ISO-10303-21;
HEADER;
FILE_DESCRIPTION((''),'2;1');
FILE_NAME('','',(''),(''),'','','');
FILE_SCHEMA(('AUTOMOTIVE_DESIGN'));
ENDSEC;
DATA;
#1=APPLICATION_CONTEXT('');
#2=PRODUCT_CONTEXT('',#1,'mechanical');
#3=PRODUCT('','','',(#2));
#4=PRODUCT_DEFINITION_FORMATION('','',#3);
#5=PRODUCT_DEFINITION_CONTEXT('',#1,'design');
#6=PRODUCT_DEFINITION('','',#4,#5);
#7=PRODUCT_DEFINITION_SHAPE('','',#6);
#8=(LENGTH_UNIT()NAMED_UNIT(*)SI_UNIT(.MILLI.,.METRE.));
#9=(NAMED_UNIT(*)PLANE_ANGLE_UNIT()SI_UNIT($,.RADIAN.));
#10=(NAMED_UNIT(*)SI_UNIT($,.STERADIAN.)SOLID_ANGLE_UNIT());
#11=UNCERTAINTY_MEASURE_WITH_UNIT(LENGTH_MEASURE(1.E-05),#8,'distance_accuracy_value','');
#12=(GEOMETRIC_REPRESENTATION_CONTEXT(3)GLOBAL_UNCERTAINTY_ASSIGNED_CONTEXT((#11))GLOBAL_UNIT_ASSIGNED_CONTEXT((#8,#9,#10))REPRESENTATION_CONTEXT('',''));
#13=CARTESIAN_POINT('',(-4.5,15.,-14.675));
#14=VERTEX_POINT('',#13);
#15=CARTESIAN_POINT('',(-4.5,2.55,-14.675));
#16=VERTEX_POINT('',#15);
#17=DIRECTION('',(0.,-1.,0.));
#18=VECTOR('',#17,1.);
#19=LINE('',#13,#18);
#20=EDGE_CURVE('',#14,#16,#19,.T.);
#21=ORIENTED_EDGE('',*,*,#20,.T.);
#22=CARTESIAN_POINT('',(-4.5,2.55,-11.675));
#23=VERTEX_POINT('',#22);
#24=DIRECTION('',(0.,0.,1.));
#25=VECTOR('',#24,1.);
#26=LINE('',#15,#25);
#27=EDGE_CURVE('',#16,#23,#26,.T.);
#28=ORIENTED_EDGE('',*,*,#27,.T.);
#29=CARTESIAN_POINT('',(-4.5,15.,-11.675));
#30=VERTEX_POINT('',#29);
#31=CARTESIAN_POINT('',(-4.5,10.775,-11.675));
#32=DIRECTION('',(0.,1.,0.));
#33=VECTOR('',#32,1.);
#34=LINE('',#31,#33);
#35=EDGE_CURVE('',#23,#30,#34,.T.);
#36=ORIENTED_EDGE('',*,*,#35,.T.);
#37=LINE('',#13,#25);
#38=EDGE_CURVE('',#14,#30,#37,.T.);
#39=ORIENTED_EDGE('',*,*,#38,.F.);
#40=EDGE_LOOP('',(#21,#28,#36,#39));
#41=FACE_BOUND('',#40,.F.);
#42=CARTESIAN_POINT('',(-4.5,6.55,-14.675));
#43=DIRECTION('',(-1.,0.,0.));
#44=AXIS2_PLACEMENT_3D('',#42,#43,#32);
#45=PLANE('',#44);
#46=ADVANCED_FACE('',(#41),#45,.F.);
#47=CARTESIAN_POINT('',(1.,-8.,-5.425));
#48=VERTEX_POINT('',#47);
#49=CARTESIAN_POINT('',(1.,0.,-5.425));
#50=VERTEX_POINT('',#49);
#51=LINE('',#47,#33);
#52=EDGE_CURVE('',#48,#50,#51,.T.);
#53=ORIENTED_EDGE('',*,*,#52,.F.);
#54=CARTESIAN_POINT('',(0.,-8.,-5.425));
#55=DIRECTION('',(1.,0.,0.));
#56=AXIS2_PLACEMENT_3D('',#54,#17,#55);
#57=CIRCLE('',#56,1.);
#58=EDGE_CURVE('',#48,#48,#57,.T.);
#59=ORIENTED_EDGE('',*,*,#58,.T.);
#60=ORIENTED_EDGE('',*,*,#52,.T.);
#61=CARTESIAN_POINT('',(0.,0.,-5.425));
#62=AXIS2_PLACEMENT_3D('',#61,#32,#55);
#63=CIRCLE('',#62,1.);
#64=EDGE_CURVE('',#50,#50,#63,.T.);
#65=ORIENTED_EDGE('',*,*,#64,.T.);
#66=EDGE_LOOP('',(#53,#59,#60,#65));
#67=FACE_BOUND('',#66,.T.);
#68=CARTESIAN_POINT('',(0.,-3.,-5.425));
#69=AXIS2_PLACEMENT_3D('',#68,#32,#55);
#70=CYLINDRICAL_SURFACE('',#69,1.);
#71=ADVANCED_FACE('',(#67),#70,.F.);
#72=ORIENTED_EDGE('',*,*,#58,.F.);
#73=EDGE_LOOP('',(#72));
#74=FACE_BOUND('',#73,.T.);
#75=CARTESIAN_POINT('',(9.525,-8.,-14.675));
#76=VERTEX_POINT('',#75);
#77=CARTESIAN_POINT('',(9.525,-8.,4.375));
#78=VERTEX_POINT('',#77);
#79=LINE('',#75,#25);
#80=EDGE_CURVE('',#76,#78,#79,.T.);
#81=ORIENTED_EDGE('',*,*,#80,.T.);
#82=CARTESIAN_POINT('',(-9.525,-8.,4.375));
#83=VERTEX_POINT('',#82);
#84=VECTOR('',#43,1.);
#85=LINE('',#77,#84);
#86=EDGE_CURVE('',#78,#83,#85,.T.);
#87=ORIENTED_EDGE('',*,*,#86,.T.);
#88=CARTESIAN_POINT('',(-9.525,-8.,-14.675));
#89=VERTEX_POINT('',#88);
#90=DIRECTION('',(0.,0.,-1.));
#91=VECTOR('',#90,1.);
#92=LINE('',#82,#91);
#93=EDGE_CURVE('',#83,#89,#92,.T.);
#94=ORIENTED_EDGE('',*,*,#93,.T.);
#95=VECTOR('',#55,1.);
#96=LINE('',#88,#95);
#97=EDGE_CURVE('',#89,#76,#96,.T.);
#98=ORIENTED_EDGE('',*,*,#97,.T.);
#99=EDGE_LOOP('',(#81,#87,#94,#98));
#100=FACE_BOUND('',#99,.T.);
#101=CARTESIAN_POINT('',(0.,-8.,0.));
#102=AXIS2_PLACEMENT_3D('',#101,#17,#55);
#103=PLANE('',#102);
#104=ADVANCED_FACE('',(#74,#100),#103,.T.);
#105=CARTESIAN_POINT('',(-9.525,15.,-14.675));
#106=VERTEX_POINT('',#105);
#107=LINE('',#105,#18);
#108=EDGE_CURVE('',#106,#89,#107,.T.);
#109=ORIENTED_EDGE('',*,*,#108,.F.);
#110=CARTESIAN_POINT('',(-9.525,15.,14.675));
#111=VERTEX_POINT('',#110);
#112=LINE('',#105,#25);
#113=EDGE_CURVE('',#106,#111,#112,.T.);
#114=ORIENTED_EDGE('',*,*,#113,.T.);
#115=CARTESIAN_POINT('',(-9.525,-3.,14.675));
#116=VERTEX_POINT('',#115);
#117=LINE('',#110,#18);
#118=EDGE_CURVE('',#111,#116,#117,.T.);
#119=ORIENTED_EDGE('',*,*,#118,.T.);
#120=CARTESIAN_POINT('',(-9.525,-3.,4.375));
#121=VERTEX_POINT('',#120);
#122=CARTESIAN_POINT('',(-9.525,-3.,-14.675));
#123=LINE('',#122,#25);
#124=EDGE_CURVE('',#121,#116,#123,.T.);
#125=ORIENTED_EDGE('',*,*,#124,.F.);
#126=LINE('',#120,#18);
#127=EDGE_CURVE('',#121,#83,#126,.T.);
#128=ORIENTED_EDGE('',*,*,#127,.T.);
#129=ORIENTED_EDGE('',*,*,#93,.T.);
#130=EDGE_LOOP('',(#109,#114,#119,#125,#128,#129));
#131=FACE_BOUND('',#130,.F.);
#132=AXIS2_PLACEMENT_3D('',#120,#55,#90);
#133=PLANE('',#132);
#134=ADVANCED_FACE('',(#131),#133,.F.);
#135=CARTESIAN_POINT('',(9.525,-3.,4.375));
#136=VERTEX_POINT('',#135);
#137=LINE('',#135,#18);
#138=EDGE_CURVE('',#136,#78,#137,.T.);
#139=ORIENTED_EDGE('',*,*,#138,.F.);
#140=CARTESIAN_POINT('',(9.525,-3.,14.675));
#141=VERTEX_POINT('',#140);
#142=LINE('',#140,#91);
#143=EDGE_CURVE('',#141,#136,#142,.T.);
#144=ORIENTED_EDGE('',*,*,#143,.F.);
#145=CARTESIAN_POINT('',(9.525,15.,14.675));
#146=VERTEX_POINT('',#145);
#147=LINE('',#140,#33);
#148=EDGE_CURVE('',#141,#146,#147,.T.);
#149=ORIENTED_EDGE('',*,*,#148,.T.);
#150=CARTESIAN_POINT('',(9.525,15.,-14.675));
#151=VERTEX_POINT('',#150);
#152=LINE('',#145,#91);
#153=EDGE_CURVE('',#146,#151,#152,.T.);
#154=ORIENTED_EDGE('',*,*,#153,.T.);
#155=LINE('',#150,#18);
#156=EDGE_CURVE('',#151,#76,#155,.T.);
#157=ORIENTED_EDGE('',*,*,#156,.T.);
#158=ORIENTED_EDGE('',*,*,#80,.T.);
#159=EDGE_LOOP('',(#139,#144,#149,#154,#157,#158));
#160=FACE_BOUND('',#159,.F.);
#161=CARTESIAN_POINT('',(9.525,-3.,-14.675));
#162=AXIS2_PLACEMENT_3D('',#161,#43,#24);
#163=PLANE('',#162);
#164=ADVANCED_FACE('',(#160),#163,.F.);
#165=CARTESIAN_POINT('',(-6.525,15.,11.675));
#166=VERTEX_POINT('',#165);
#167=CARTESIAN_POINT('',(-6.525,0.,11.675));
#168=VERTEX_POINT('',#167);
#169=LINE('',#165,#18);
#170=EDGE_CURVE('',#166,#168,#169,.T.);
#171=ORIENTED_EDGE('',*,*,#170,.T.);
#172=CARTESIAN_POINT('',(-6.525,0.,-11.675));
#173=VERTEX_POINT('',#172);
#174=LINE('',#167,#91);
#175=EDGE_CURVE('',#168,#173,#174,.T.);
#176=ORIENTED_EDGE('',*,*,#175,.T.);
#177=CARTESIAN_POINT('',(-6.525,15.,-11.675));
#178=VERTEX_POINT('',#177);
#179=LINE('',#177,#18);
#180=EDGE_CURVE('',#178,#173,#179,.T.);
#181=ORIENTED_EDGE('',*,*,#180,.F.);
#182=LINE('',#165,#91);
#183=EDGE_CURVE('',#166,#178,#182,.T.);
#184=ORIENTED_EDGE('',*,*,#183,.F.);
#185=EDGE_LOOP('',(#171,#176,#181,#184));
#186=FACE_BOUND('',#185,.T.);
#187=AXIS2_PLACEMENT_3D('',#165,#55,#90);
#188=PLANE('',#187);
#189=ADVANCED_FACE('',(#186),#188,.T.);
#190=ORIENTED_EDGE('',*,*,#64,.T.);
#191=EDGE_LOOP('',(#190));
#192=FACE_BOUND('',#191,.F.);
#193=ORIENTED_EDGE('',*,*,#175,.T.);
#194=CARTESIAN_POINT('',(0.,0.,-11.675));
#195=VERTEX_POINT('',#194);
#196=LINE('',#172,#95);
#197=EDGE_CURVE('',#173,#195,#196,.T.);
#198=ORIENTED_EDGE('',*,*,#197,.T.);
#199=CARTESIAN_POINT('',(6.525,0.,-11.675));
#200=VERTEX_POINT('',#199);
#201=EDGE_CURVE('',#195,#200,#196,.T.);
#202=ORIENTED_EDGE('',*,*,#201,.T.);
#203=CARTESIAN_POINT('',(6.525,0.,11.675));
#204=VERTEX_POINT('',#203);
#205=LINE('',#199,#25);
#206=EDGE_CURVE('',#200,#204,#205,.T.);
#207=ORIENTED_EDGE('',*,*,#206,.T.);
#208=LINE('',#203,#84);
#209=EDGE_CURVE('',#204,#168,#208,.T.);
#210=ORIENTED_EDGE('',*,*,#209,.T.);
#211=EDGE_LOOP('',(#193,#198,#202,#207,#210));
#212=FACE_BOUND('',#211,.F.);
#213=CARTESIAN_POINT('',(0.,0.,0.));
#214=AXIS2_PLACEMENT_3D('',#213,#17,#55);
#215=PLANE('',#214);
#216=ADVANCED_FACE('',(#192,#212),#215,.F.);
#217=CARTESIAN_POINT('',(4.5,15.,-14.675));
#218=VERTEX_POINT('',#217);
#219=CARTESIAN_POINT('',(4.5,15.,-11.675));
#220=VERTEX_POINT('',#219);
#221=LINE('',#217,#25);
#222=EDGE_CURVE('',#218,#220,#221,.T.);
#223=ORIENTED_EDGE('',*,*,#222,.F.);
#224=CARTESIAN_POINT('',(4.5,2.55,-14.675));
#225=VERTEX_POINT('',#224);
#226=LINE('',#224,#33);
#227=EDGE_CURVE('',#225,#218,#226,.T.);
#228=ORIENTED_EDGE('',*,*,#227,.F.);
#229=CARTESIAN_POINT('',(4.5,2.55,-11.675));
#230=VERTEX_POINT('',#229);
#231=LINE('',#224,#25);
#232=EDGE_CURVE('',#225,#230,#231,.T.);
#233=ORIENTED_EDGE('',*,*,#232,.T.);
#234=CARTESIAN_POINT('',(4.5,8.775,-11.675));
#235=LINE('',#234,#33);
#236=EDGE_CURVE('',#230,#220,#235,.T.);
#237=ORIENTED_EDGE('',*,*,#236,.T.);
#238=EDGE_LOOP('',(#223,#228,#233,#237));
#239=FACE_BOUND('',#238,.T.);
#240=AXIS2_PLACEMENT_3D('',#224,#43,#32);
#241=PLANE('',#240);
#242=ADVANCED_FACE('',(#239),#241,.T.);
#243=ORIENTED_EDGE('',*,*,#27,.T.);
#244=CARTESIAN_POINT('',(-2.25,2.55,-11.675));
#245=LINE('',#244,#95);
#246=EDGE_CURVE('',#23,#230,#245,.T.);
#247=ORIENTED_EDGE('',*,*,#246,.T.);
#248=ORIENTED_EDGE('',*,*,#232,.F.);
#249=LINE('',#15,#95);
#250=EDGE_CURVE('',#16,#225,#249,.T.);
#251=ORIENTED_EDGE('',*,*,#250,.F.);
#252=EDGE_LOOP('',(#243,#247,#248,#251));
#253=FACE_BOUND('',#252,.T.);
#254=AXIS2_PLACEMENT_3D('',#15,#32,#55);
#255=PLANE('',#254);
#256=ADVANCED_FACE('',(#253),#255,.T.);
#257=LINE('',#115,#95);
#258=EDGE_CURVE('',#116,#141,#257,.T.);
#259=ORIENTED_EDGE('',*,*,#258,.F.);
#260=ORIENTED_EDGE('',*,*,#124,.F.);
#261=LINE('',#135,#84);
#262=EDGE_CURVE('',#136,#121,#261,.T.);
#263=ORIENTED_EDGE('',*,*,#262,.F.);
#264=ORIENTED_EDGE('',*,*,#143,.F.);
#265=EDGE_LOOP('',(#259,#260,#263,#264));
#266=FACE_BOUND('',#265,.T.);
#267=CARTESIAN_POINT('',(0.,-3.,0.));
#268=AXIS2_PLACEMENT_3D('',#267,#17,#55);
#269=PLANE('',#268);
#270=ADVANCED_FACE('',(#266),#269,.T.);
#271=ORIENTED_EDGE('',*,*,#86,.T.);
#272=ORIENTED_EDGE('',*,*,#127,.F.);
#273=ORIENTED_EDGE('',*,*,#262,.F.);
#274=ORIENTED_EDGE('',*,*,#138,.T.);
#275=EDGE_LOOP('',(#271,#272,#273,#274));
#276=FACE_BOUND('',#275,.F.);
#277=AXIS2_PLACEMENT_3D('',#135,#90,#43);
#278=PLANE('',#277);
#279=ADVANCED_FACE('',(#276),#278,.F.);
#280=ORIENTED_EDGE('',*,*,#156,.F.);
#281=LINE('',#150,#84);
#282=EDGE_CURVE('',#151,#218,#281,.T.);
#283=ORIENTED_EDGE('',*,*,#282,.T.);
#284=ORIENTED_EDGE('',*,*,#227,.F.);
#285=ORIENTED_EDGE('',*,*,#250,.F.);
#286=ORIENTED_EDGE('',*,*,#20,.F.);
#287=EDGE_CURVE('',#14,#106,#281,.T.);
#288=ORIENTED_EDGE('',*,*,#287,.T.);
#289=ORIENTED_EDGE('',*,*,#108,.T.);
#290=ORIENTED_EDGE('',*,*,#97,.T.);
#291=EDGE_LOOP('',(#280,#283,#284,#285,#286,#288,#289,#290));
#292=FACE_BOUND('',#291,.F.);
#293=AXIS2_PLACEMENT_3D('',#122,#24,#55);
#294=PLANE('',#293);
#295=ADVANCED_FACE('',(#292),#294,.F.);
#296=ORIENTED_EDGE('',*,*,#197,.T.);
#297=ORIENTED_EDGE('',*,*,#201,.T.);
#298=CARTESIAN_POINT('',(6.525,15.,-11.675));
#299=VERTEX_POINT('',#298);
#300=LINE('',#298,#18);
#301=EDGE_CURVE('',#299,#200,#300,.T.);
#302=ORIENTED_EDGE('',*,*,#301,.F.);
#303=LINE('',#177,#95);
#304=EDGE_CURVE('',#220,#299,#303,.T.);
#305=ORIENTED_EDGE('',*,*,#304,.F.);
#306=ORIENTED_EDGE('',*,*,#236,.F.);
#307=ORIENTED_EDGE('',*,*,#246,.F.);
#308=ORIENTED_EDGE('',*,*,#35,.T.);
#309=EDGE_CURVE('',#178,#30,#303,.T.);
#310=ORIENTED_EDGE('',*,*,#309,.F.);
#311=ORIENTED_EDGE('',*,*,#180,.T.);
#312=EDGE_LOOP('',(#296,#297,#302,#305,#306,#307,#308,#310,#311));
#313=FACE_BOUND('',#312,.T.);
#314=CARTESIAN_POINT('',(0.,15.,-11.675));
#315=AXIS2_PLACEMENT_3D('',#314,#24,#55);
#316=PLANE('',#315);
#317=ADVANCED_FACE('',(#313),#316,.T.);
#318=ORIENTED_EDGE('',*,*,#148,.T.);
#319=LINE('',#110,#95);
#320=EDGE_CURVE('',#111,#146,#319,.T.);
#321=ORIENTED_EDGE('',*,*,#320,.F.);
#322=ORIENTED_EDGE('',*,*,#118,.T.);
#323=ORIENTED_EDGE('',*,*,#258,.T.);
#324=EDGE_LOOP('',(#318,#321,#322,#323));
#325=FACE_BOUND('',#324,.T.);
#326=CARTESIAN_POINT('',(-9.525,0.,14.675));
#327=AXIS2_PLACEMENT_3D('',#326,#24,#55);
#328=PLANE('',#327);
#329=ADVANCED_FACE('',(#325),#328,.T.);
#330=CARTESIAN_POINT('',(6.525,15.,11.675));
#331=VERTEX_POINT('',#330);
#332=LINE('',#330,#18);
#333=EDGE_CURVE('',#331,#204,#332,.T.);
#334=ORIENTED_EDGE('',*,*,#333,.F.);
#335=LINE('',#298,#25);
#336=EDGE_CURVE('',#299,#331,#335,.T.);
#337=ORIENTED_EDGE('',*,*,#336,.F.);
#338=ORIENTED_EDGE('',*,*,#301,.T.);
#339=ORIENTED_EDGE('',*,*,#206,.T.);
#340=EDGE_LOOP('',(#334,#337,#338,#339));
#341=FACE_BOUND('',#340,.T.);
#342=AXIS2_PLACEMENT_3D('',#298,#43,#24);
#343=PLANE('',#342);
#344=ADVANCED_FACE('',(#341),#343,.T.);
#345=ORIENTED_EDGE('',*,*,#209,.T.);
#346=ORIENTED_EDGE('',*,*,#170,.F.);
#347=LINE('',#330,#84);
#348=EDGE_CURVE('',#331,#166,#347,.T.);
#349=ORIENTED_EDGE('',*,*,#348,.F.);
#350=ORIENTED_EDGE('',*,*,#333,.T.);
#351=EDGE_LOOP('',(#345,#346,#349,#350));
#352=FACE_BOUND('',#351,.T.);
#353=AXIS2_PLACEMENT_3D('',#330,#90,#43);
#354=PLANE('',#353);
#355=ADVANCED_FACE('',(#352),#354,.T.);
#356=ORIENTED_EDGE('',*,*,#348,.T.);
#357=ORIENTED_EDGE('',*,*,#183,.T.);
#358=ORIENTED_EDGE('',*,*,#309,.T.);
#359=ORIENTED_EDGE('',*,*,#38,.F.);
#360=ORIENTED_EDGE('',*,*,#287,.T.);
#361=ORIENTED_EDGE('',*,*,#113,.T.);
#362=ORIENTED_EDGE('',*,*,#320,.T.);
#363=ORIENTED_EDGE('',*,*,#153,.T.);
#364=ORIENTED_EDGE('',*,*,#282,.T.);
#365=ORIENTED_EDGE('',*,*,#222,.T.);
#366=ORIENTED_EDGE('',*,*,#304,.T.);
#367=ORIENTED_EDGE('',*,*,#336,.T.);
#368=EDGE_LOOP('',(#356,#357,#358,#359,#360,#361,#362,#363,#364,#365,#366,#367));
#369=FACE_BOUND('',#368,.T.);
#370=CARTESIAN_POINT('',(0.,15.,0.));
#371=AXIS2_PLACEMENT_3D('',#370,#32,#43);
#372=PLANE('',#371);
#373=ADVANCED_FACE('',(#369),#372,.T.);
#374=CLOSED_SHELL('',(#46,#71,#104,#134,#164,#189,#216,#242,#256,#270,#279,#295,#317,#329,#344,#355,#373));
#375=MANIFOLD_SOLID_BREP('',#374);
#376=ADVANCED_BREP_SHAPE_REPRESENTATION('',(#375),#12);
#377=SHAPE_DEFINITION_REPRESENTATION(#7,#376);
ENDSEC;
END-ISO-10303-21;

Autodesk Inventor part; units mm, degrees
ref_plane "YZ Plane" through (0, 0, 0) normal (1, 0, 0) x (0, 1, 0)
ref_plane "XZ Plane" through (0, 0, 0) normal (0, 1, 0) x (-1, 0, 0)
ref_plane "XY Plane" through (0, 0, 0) normal (0, 0, 1) x (1, 0, 0)
sketch "Sketch1" plane through (0, 0, 0) normal (0, 1, 0) x (-1, 0, 0)
  line L0 (6.225, 11.375) -> (-6.225, 11.375)
  line L1 (-6.225, 11.375) -> (-6.225, -11.375)
  line L2 (-6.225, -11.375) -> (6.225, -11.375)
  line L3 (6.225, -11.375) -> (6.225, 11.375)
  line L4 (6.225, 11.375) -> (-6.225, -11.375) construction
  line L5 (-6.225, 11.375) -> (6.225, -11.375) construction
  line L6 (9.525, 14.675) -> (-9.525, 14.675)
  line L7 (-9.525, 14.675) -> (-9.525, -14.675)
  line L8 (-9.525, -14.675) -> (9.525, -14.675)
  line L9 (9.525, -14.675) -> (9.525, 14.675)
  point P0 (0, 0)
  dimension "d0" = 12.45
  dimension "d1" = 22.75
  dimension "d2" = 3.3
extrude "Extrusion1" add sketch "Sketch1" along normal blind 15
sketch "Sketch2" plane through (9.525, 0, -14.675) normal (0, 0, -1) x (-1, 0, 0)
  line L0 (14.025, 2.55) -> (5.025, 2.55)
  line L1 (5.025, 2.55) -> (5.025, 6.55)
  line L2 (14.025, 6.55) -> (14.025, 2.55)
  line L3 (3.3, 15) -> (15.75, 15) projected
  line L4 (5.025, 2.55) -> (14.025, 2.55)
  line L5 (14.025, 2.55) -> (14.025, 15)
  line L6 (14.025, 15) -> (5.025, 15)
  line L7 (5.025, 15) -> (5.025, 2.55)
  point P0 (9.525, 0)
  dimension "d7" = 9
  dimension "d8" = 4
extrude "Extrusion2" cut sketch "Sketch2" against normal up to next
sketch "Sketch3" plane through (0, 0, 0) normal (0, -1, 0) x (1, 0, 0)
  line L0 (-9.525, 14.675) -> (9.525, 14.675) projected
  line L1 (-9.525, -14.675) -> (-9.525, 14.675) projected
  line L2 (9.525, -14.675) -> (-9.525, -14.675) projected
  line L3 (9.525, 14.675) -> (9.525, -14.675) projected
  point P0 (0, 0)
extrude "Extrusion3" add sketch "Sketch3" along normal blind 3
sketch "Sketch4" plane through (0, -3, 0) normal (0, -1, 0) x (1, 0, 0)
  line L0 (6.225, 11.375) -> (6.225, -11.375) projected
  line L1 (6.225, -11.375) -> (-6.225, -11.375) projected
  line L2 (-6.225, -11.375) -> (-6.225, 11.375) projected
  line L3 (4.5, -11.375) -> (-4.5, -11.375) projected
  line L4 (0, -11.375) -> (0, -5.425)
  circle A0 centre (0, -5.425) radius 1
  point P0 (0, 0)
  dimension "d13" = 5.95
  dimension "d14" = 2
extrude "Extrusion4" cut sketch "Sketch4" against normal up to next
sketch "Sketch5" plane through (0, -3, 0) normal (0, -1, 0) x (1, 0, 0)
  circle A0 centre (0, -5.425) radius 1 projected
  line L0 (-9.525, -14.675) -> (9.525, -14.675) projected
  line L1 (9.525, -14.675) -> (9.525, 4.375)
  line L2 (9.525, 4.375) -> (-9.525, 4.375)
  line L3 (-9.525, 4.375) -> (-9.525, -14.675)
  line L4 (-9.525, -14.675) -> (9.525, -14.675)
  line L5 (9.525, -14.675) -> (9.525, 4.375)
  point P0 (0, 0)
  dimension "d17" = 19.05
extrude "Extrusion5" add sketch "Sketch5" along normal blind 5
sketch "Sketch6" plane through (0, 15, 0) normal (0, 1, 0) x (1, 0, 0)
  circle A0 centre (0, 5.425) radius 1 projected
  line L0 (-6.225, -11.375) -> (6.225, -11.375) projected
  line L1 (6.225, -11.375) -> (6.225, 11.375) projected
  line L2 (6.225, 11.375) -> (-6.225, 11.375) projected
  line L3 (-6.225, 11.375) -> (-6.225, -11.375) projected
  line L4 (0, 11.375) -> (0, 11.675)
  line L5 (-6.525, 11.675) -> (6.525, 11.675)
  line L6 (6.525, 11.675) -> (6.525, -11.675)
  line L7 (6.525, -11.675) -> (-6.525, -11.675)
  line L8 (-6.525, -11.675) -> (-6.525, 11.675)
  point P0 (0, 0)
  dimension "d20" = 0.3
extrude "Extrusion6" cut sketch "Sketch6" against normal up to surface (15 mm away) contours L3 L2 L1 L0 | L5 L6 L7 L8
properties part number "servo housing"
